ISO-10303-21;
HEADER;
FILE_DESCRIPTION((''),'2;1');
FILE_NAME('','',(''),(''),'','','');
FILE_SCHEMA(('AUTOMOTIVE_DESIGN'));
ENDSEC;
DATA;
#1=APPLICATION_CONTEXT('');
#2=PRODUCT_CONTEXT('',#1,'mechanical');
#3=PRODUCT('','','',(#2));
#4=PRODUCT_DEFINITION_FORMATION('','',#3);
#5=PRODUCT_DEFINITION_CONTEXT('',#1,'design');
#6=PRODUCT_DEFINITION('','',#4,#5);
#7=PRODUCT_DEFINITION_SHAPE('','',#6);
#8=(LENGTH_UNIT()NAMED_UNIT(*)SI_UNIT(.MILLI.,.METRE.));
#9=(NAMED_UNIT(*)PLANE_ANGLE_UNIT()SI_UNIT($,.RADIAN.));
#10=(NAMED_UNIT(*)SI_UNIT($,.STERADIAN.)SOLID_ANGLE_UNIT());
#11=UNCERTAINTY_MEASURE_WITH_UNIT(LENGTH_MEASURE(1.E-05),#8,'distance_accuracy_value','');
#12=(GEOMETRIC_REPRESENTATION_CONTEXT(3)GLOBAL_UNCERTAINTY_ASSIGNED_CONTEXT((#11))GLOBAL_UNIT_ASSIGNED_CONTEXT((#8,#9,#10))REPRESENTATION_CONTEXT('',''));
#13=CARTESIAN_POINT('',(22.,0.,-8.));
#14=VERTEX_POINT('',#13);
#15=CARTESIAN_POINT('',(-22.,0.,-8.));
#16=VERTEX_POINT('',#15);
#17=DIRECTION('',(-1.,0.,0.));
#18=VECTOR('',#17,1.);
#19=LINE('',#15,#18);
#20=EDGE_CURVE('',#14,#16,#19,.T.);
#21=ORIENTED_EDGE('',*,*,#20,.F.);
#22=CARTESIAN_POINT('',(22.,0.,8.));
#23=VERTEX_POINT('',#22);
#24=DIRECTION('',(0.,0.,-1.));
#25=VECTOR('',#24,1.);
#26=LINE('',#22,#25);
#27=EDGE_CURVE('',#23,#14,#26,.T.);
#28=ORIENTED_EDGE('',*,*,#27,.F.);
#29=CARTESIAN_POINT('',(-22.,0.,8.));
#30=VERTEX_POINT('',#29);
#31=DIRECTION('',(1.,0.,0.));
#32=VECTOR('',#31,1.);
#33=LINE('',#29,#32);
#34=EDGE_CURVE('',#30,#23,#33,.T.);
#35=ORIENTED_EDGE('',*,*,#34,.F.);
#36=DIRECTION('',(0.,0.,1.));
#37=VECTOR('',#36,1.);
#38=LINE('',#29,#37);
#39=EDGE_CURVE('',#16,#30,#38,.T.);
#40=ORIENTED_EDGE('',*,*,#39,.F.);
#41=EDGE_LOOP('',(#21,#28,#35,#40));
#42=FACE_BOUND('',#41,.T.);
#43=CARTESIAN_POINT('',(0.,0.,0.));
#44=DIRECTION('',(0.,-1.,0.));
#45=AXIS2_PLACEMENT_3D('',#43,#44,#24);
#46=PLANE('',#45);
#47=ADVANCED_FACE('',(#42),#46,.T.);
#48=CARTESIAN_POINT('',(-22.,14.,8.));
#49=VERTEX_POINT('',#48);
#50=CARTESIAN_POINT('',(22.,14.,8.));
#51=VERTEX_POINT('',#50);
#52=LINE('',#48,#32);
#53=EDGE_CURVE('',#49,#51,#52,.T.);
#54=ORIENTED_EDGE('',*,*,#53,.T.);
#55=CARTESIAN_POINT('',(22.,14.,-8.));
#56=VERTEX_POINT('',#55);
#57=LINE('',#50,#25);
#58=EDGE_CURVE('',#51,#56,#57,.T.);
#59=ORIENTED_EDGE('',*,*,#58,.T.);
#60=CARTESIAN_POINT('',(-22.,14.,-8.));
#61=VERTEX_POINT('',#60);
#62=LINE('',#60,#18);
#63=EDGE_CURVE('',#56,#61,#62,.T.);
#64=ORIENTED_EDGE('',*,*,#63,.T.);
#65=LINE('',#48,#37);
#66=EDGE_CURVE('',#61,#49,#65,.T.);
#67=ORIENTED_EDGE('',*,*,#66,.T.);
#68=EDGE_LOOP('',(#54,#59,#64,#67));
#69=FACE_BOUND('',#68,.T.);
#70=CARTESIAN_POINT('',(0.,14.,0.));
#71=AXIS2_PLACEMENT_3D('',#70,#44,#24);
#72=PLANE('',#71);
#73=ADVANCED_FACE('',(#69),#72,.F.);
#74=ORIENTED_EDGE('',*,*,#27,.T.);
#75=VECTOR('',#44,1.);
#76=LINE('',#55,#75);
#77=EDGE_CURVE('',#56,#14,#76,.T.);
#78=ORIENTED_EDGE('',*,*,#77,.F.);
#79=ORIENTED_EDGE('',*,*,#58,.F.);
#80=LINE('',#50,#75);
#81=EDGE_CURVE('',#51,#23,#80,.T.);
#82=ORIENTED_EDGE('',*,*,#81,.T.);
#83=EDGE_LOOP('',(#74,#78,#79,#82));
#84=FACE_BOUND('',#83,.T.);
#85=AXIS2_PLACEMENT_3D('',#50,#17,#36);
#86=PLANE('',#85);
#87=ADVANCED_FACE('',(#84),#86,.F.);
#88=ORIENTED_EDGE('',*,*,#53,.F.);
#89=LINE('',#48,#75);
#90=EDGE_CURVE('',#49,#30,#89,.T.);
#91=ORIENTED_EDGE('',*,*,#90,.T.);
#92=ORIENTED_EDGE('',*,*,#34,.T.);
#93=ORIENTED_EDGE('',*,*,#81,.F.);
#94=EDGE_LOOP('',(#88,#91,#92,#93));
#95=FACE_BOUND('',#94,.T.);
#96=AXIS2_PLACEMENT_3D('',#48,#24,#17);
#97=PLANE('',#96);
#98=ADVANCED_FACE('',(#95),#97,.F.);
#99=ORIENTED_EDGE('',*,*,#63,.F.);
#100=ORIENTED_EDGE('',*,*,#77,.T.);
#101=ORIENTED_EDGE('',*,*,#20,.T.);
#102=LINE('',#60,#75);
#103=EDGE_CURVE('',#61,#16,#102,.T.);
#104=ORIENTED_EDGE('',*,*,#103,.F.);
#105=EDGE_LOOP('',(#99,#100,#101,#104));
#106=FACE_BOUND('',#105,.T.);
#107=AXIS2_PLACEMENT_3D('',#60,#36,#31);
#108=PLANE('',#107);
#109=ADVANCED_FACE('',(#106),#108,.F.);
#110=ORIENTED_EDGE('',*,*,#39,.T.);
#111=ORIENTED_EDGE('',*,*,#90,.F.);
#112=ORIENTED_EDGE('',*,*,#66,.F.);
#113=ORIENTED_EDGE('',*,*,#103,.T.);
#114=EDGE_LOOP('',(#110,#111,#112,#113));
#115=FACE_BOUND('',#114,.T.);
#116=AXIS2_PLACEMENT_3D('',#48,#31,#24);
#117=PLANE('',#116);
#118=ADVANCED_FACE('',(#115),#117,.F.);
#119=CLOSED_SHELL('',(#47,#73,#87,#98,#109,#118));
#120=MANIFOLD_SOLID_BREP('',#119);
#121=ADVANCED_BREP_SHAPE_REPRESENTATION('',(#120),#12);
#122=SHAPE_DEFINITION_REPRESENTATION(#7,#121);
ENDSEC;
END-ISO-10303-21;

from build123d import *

# Parameters (mm, degrees)
SKETCH1_W           = 44
SKETCH1_H           = 16
BOSS_EXTRUDE1_DEPTH = 14


with BuildPart() as part:
    # Sketch1 → Boss-Extrude1 (new body)
    with BuildSketch(Plane(origin=(0, 0, 0), x_dir=(1, 0, 0), z_dir=(0, 1, 0))):
        Rectangle(SKETCH1_W, SKETCH1_H)
    extrude(amount=BOSS_EXTRUDE1_DEPTH)


solid = part.part
